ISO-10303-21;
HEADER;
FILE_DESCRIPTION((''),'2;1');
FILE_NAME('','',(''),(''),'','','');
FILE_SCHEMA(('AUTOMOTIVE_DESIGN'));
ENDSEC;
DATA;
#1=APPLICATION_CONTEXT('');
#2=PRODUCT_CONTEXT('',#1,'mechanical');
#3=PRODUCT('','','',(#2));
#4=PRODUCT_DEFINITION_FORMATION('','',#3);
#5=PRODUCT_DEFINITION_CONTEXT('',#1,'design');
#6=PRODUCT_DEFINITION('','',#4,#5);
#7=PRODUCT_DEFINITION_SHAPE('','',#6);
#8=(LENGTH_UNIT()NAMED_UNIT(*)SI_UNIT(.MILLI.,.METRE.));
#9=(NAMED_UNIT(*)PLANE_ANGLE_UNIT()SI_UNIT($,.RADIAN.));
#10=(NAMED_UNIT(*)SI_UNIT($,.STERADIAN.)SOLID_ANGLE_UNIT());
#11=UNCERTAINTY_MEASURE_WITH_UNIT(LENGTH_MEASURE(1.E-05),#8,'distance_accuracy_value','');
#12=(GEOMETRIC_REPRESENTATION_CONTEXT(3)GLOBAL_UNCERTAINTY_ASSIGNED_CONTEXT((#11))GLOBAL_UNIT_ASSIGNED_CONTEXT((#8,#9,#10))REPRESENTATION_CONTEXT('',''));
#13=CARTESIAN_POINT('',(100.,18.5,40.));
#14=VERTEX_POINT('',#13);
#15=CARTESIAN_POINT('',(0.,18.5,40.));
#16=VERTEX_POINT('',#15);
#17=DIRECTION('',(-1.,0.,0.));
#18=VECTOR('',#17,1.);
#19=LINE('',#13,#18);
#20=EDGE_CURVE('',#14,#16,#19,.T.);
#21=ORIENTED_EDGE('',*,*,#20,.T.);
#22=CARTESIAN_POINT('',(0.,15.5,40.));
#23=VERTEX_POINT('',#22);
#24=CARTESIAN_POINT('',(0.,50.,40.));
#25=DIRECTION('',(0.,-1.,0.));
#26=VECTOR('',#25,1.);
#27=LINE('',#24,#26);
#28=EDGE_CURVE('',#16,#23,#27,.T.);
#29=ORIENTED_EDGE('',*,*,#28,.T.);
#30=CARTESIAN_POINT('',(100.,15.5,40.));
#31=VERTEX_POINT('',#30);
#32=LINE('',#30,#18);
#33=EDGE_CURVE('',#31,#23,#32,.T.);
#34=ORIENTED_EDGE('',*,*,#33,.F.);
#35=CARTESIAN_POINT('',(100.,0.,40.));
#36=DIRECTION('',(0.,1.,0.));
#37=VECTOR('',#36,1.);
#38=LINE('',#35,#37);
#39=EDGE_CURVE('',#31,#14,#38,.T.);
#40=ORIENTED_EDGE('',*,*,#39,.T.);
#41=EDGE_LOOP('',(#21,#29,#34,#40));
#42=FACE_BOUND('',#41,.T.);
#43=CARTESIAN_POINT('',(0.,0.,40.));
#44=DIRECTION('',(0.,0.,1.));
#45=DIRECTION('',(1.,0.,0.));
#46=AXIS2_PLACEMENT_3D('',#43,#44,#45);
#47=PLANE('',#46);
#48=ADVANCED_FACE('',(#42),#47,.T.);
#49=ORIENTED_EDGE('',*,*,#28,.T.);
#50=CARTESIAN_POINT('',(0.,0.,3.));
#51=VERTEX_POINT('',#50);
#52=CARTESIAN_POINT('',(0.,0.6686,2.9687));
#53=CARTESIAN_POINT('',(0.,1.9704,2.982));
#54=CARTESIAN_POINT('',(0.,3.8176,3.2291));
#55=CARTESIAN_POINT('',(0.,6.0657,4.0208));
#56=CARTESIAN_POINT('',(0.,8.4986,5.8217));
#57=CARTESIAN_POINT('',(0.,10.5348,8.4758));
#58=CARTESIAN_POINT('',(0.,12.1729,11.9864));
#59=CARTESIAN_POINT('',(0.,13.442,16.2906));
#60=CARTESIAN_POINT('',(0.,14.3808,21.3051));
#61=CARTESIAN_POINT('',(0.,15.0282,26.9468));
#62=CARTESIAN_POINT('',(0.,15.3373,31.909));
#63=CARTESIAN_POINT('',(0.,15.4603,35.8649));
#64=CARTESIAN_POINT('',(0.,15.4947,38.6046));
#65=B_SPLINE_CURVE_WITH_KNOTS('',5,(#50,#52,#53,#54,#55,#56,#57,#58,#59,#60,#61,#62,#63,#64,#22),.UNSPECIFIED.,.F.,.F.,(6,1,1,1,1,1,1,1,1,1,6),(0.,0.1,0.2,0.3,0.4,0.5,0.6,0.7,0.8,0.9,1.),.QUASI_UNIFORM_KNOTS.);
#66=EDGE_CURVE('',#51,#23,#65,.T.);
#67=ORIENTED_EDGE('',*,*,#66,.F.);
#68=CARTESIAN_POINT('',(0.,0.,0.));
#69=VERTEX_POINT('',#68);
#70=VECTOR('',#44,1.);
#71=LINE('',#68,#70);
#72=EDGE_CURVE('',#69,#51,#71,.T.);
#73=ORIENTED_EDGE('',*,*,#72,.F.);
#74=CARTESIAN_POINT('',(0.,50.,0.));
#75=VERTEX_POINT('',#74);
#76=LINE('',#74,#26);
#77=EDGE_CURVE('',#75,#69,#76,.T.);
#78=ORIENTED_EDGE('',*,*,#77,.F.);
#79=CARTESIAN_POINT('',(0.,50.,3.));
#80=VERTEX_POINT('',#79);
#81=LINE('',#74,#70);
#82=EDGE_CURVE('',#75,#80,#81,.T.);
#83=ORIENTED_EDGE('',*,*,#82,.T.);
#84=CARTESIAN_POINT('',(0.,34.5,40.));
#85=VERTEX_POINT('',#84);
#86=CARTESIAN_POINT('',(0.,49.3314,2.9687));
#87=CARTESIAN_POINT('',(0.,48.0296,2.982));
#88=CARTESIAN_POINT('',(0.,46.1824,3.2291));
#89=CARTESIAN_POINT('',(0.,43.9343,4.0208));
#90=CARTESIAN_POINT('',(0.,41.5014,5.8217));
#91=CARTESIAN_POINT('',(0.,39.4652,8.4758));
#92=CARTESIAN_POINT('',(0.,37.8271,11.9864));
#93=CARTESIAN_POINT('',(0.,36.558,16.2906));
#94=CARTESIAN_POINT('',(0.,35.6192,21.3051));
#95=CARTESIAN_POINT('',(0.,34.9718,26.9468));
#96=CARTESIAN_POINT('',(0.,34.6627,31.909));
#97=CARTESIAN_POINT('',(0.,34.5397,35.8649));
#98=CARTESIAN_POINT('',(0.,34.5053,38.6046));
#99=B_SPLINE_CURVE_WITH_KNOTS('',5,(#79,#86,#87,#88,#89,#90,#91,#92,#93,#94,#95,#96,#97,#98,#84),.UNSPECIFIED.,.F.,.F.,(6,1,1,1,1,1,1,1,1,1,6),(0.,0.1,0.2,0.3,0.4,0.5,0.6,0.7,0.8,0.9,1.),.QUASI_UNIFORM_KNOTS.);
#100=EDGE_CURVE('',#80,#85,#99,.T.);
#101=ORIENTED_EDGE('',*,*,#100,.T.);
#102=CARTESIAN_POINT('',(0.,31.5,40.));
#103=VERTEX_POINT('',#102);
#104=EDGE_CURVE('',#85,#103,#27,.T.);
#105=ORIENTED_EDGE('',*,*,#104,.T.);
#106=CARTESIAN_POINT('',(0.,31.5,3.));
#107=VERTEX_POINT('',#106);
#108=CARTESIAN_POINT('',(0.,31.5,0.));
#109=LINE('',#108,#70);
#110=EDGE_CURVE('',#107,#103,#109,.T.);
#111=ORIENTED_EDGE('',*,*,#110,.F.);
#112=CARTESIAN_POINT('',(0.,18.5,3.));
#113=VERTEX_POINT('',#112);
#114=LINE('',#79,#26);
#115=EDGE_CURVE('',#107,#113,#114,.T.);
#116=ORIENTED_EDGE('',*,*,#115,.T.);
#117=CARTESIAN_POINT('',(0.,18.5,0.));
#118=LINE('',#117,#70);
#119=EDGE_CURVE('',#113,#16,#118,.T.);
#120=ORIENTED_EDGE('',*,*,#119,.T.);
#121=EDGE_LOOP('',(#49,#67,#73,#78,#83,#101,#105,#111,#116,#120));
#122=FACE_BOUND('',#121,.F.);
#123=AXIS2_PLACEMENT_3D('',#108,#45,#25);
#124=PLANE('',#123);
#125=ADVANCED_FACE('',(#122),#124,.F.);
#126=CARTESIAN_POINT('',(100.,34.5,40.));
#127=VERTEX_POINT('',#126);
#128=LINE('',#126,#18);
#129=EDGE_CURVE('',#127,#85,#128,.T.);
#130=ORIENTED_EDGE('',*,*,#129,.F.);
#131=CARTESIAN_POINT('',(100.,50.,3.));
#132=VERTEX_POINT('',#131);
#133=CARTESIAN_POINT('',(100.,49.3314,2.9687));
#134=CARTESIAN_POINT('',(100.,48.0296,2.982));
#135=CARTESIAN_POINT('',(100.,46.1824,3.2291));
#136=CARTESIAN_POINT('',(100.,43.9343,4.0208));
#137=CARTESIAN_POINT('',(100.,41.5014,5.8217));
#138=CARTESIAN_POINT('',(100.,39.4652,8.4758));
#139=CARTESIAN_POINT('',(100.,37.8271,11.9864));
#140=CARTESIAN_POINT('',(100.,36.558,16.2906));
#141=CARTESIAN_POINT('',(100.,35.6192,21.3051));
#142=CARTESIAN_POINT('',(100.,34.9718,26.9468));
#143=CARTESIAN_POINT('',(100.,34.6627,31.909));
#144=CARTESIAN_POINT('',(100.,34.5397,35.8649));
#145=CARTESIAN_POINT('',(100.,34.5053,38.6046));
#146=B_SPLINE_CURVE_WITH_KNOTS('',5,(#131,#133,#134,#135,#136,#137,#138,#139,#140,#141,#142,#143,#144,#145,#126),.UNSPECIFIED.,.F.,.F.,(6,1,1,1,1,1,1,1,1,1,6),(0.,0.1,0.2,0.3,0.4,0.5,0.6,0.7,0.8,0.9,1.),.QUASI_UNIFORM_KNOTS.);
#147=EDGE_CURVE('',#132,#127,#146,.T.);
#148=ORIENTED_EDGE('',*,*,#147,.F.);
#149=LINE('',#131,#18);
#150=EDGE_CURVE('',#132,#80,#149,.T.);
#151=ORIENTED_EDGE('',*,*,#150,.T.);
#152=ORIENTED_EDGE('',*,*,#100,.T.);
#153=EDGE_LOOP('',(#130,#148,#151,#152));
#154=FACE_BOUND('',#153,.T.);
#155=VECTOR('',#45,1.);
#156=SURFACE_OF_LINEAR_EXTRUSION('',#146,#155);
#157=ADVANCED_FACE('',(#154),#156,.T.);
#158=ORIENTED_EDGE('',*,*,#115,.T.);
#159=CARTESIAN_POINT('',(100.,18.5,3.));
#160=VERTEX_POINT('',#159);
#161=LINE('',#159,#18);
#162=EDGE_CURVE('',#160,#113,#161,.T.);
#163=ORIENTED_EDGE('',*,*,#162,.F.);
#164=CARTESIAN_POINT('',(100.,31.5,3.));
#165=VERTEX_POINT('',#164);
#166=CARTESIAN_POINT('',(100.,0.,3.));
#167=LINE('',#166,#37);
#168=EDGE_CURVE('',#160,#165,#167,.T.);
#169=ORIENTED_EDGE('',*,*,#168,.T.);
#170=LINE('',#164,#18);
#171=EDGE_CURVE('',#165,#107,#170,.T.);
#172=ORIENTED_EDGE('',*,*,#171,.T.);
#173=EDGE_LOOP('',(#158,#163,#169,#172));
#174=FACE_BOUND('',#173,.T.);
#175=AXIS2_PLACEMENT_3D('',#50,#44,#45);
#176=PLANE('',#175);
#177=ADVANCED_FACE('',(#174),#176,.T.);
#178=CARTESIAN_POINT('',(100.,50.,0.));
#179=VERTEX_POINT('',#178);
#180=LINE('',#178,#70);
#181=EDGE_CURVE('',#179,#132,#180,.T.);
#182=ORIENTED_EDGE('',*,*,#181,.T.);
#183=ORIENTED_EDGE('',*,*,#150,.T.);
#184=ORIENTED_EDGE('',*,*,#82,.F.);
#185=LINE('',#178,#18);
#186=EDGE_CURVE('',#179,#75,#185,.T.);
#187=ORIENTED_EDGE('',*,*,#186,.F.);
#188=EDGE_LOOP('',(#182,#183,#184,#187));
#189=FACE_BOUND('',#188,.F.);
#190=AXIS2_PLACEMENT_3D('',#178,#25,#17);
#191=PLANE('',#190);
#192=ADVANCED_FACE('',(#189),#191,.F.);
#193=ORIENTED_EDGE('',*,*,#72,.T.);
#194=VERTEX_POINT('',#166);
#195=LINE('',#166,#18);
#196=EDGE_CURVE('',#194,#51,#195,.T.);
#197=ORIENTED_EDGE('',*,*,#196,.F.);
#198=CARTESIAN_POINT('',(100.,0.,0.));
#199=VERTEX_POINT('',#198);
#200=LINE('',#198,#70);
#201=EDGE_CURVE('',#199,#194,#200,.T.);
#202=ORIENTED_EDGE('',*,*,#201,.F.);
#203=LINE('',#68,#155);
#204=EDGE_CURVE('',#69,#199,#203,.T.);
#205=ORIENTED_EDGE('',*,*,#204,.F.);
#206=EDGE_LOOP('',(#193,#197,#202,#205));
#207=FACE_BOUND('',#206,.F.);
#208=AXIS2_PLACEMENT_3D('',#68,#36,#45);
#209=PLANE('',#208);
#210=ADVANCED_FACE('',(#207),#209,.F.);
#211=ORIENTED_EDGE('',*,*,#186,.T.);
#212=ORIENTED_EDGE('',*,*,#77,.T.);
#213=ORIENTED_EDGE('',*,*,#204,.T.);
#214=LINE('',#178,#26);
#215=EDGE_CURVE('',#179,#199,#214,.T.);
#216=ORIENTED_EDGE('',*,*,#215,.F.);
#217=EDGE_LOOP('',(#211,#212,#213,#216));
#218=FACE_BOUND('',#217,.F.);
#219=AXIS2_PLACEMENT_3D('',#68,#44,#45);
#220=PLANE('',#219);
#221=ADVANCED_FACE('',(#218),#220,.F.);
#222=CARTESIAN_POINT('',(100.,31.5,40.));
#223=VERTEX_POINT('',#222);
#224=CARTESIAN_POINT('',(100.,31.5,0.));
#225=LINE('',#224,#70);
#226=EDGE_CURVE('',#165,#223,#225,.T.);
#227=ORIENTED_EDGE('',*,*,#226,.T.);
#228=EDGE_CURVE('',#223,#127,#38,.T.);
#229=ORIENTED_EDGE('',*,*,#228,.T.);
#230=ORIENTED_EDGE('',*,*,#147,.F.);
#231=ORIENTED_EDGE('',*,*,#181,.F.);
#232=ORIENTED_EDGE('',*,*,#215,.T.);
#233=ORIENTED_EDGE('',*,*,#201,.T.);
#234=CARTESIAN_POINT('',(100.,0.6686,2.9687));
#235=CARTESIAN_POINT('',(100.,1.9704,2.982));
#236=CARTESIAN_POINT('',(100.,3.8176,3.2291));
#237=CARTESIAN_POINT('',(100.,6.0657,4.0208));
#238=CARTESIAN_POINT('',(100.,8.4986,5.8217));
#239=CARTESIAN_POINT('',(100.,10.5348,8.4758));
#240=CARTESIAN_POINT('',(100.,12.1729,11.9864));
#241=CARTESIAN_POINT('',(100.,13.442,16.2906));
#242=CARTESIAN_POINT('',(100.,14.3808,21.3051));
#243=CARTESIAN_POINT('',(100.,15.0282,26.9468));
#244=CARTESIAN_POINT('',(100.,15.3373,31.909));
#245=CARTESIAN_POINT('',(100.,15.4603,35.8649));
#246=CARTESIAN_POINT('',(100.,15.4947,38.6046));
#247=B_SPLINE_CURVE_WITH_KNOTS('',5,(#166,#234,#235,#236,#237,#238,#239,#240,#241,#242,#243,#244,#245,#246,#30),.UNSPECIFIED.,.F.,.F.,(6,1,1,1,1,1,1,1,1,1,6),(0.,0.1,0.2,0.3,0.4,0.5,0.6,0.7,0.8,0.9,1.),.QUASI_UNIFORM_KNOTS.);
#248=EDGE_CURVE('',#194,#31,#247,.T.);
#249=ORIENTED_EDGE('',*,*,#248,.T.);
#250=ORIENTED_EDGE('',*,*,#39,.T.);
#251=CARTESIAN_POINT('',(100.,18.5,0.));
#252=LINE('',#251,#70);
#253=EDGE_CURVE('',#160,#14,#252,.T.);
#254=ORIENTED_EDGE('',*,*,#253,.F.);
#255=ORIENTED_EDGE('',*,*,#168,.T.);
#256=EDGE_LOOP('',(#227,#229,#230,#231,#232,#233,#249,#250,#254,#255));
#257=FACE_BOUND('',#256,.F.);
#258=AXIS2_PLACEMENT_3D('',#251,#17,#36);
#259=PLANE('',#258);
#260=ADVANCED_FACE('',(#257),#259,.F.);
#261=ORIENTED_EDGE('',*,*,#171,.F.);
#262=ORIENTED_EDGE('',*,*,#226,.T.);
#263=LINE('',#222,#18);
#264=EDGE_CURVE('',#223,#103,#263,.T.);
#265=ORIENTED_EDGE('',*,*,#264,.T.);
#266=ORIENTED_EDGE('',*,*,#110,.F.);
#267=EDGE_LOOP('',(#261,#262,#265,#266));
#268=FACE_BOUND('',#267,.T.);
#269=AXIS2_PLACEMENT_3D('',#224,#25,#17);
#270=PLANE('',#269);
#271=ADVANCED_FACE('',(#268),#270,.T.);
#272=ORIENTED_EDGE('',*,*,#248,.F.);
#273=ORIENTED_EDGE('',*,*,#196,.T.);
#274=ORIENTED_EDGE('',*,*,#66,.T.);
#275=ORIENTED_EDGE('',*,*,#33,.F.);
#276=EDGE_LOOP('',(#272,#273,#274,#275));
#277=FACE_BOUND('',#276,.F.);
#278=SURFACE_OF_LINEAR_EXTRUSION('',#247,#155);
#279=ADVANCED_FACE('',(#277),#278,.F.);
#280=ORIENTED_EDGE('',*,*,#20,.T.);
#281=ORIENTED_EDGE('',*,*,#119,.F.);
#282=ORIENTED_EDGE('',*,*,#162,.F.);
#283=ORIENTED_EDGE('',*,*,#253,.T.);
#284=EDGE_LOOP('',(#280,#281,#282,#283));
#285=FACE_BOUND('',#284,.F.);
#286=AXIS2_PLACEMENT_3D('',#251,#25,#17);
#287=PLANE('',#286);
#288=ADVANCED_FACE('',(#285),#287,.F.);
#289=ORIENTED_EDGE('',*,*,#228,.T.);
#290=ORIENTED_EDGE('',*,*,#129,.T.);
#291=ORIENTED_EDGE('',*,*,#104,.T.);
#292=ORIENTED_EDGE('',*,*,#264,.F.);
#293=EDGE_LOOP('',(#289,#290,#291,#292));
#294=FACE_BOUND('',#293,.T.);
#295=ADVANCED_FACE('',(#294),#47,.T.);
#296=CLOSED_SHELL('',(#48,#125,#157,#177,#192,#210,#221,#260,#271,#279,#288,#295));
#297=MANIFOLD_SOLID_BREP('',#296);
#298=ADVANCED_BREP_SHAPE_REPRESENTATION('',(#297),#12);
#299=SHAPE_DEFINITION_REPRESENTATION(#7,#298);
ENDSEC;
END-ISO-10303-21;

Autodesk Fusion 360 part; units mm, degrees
sketch "Sketch1" plane through (0, 0, 0) normal (0, 0, 1) x (1, 0, 0)
  line L0 (0, 0) -> (100, 0)
  line L1 (100, 0) -> (100, 50)
  line L2 (100, 50) -> (0, 50)
  line L3 (0, 50) -> (0, 0)
  line L4 (0, 0) -> (100, 0)
  line L5 (100, 0) -> (100, 18.5)
  line L6 (100, 18.5) -> (0, 18.5)
  line L7 (0, 18.5) -> (0, 0)
  line L8 (0, 50) -> (100, 50)
  line L9 (100, 50) -> (100, 31.5)
  line L10 (100, 31.5) -> (0, 31.5)
  line L11 (0, 31.5) -> (0, 50)
  dimension "d1" = 100
  dimension "d2" = 50
  dimension "d3" = 18.5
  dimension "d4" = 18.5
extrude "Extrude1" add sketch "Sketch1" along normal blind 3 contours L1 L3 L6 L10
extrude "Extrude2" add sketch "Sketch1" along normal blind 40 contours L0 L1 L3 L4 L5 L6 L7 | L1 L2 L3 L8 L9 L10 L11
sketch "Sketch2" plane through (100, 0, 0) normal (1, 0, 0) x (0, 1, 0)
  line L0 (0, 0) -> (50, 0)
  line L1 (50, 0) -> (50, 40)
  line L2 (50, 40) -> (31.5, 40)
  line L3 (31.5, 40) -> (31.5, 3)
  line L4 (31.5, 3) -> (18.5, 3)
  line L5 (18.5, 3) -> (18.5, 40)
  line L6 (18.5, 40) -> (0, 40)
  line L7 (0, 40) -> (0, 0)
  line L8 (18.5, 40) -> (15.5, 40)
  line L9 (31.5, 40) -> (34.5, 40)
  spline S0 degree 5 poles (0, 3) (0.6686, 2.9687) (1.9704, 2.982) (3.8176, 3.2291) (6.0657, 4.0208) (8.4986, 5.8217) (10.5348, 8.4758) (12.1729, 11.9864) (13.442, 16.2906) (14.3808, 21.3051) (15.0282, 26.9468) (15.3373, 31.909) (15.4603, 35.8649) (15.4947, 38.6046) (15.5, 40) knots 0 0 0 0 0 0 0.1 0.2 0.3 0.4 0.5 0.6 0.7 0.8 0.9 1 1 1 1 1 1
  spline S1 degree 5 poles (50, 3) (49.3314, 2.9687) (48.0296, 2.982) (46.1824, 3.2291) (43.9343, 4.0208) (41.5014, 5.8217) (39.4652, 8.4758) (37.8271, 11.9864) (36.558, 16.2906) (35.6192, 21.3051) (34.9718, 26.9468) (34.6627, 31.909) (34.5397, 35.8649) (34.5053, 38.6046) (34.5, 40) knots 0 0 0 0 0 0 0.1 0.2 0.3 0.4 0.5 0.6 0.7 0.8 0.9 1 1 1 1 1 1
  line L10 (34.5, 40) -> (50, 40)
  line L11 (50, 3) -> (50, 40)
  line L12 (0, 3) -> (0, 40)
  line L13 (15.5, 40) -> (0, 40)
  point P0 (10, 8)
  point P1 (40, 8)
  dimension "d9" = 3
  dimension "d10" = 3
extrude "Extrude3" cut sketch "Sketch2" against normal blind 100 contours L6 L7 S0 L12 L13 | L1 L2 S1 L10 L11
